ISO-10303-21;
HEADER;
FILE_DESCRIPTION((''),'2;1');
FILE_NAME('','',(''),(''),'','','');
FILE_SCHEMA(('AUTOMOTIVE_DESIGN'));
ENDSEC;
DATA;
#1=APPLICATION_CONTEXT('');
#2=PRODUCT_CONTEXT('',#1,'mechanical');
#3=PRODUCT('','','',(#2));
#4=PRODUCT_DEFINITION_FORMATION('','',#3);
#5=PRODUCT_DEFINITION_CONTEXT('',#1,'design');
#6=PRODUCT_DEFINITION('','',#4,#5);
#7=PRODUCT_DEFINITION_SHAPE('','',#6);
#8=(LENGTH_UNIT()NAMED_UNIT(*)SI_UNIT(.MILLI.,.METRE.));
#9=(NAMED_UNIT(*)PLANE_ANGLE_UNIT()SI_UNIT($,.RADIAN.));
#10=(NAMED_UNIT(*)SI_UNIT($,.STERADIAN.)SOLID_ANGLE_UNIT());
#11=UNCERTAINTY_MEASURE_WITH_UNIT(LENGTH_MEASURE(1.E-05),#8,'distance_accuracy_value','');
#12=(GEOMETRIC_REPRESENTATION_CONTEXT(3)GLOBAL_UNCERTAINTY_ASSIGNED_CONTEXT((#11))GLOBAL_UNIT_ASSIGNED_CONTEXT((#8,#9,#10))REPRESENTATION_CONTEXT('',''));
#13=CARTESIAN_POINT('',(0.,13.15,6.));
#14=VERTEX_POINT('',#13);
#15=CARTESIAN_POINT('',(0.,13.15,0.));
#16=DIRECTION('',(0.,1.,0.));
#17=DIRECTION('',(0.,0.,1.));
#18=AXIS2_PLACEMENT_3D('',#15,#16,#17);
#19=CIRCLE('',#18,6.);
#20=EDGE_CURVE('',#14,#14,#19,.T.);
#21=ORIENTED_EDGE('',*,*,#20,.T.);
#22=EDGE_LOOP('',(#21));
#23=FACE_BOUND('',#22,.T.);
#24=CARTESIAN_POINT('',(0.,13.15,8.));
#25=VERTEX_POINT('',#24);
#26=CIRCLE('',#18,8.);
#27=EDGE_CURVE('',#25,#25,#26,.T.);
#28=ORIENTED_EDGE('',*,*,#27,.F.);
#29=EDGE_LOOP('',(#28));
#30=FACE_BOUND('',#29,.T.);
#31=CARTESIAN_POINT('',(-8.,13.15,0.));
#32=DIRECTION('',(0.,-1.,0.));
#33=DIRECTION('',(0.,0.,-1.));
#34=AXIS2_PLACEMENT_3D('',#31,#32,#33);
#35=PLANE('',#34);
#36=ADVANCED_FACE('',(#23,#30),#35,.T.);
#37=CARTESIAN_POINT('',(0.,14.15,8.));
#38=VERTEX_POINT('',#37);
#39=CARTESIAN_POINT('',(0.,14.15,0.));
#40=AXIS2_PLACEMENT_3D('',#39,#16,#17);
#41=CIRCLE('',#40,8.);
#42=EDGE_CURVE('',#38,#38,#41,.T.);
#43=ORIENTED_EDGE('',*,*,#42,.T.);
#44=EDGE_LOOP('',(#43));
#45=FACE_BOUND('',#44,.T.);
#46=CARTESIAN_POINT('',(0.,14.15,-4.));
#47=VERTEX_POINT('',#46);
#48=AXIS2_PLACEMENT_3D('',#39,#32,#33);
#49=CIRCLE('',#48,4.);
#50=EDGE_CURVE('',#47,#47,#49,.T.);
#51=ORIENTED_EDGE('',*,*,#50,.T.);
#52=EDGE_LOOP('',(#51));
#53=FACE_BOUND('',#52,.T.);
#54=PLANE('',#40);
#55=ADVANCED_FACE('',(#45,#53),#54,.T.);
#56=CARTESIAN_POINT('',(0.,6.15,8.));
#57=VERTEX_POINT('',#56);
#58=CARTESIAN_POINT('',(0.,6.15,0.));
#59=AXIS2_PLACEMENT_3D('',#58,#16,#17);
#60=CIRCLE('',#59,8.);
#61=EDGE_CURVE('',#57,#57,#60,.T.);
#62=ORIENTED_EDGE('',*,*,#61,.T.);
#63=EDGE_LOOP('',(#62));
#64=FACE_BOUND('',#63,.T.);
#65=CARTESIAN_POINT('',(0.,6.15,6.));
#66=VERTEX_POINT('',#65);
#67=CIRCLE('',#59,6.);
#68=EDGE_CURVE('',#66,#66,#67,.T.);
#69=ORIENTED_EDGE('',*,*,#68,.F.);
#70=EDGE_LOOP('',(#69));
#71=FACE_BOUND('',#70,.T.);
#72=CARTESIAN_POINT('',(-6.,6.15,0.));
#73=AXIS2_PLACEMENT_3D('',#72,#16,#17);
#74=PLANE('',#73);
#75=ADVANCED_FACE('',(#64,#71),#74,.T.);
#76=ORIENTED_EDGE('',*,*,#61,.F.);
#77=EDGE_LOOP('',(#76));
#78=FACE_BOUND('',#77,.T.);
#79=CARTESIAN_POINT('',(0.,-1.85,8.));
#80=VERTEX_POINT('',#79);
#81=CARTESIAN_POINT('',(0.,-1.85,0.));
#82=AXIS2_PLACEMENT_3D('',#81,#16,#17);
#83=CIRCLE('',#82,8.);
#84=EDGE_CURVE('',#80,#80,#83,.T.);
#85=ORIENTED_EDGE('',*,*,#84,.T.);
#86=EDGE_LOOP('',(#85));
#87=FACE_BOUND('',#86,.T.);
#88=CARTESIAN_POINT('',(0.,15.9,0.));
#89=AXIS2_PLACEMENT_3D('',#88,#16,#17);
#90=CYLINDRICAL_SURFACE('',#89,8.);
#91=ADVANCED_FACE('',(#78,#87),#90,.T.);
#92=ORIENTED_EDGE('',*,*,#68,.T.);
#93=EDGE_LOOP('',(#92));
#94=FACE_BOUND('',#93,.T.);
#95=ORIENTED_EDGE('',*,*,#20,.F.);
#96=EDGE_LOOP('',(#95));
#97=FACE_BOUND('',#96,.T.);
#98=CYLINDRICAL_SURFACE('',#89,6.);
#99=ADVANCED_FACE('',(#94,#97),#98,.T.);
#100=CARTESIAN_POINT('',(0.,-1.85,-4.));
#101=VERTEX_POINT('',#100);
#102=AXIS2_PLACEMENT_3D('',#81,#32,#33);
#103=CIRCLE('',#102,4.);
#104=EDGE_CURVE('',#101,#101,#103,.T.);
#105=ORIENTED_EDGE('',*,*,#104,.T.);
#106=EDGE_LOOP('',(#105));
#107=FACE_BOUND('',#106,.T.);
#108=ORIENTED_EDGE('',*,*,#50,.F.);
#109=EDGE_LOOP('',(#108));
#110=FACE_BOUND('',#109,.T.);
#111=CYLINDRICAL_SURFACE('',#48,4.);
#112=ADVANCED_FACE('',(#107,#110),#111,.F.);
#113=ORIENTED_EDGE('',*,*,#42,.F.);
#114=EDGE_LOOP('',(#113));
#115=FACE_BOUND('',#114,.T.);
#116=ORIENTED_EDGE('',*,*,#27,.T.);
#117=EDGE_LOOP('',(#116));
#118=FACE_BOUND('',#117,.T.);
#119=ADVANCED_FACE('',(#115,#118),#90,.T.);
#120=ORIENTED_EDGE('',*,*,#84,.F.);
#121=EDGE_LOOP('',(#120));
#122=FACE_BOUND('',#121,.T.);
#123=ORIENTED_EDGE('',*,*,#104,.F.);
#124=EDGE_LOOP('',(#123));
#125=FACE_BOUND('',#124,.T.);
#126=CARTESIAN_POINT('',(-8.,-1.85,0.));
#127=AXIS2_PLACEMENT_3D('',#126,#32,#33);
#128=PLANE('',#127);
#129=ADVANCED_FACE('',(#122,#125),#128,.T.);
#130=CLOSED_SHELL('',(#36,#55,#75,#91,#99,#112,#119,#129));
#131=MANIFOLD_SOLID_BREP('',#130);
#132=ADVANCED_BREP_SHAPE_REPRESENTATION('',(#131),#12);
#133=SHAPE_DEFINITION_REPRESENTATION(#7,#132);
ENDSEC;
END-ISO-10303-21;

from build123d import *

# Parameters (mm, degrees)
SKETCH_2_R          = 4
CUT_EXTRUDE_1_DEPTH = 20.595917942


with BuildPart() as part:
    # 草图1 → 旋转1 (revolve)
    with BuildSketch(Plane.XY, mode=Mode.PRIVATE) as revolve_1_sk:
        Polygon((0, 14.15), (-8, 14.15), (-8, 13.15), (-6, 13.15), (-6, 6.15), (-8, 6.15), (-8, -1.85), (0, -1.85), align=None)
    revolve(revolve_1_sk.sketch.rotate(Axis((0, 15.9, 0), (0, -1, 0)), 270), axis=Axis((0, 15.9, 0), (0, -1, 0)))

    # 草图2 → 切除-拉伸1 (cut, through all)
    with BuildSketch(Plane.XZ.offset(1.85)):
        with Locations(Location((0, 0, 0), (0, 0, 270))):
            Circle(SKETCH_2_R)
    extrude(amount=-CUT_EXTRUDE_1_DEPTH, mode=Mode.SUBTRACT)


solid = part.part
